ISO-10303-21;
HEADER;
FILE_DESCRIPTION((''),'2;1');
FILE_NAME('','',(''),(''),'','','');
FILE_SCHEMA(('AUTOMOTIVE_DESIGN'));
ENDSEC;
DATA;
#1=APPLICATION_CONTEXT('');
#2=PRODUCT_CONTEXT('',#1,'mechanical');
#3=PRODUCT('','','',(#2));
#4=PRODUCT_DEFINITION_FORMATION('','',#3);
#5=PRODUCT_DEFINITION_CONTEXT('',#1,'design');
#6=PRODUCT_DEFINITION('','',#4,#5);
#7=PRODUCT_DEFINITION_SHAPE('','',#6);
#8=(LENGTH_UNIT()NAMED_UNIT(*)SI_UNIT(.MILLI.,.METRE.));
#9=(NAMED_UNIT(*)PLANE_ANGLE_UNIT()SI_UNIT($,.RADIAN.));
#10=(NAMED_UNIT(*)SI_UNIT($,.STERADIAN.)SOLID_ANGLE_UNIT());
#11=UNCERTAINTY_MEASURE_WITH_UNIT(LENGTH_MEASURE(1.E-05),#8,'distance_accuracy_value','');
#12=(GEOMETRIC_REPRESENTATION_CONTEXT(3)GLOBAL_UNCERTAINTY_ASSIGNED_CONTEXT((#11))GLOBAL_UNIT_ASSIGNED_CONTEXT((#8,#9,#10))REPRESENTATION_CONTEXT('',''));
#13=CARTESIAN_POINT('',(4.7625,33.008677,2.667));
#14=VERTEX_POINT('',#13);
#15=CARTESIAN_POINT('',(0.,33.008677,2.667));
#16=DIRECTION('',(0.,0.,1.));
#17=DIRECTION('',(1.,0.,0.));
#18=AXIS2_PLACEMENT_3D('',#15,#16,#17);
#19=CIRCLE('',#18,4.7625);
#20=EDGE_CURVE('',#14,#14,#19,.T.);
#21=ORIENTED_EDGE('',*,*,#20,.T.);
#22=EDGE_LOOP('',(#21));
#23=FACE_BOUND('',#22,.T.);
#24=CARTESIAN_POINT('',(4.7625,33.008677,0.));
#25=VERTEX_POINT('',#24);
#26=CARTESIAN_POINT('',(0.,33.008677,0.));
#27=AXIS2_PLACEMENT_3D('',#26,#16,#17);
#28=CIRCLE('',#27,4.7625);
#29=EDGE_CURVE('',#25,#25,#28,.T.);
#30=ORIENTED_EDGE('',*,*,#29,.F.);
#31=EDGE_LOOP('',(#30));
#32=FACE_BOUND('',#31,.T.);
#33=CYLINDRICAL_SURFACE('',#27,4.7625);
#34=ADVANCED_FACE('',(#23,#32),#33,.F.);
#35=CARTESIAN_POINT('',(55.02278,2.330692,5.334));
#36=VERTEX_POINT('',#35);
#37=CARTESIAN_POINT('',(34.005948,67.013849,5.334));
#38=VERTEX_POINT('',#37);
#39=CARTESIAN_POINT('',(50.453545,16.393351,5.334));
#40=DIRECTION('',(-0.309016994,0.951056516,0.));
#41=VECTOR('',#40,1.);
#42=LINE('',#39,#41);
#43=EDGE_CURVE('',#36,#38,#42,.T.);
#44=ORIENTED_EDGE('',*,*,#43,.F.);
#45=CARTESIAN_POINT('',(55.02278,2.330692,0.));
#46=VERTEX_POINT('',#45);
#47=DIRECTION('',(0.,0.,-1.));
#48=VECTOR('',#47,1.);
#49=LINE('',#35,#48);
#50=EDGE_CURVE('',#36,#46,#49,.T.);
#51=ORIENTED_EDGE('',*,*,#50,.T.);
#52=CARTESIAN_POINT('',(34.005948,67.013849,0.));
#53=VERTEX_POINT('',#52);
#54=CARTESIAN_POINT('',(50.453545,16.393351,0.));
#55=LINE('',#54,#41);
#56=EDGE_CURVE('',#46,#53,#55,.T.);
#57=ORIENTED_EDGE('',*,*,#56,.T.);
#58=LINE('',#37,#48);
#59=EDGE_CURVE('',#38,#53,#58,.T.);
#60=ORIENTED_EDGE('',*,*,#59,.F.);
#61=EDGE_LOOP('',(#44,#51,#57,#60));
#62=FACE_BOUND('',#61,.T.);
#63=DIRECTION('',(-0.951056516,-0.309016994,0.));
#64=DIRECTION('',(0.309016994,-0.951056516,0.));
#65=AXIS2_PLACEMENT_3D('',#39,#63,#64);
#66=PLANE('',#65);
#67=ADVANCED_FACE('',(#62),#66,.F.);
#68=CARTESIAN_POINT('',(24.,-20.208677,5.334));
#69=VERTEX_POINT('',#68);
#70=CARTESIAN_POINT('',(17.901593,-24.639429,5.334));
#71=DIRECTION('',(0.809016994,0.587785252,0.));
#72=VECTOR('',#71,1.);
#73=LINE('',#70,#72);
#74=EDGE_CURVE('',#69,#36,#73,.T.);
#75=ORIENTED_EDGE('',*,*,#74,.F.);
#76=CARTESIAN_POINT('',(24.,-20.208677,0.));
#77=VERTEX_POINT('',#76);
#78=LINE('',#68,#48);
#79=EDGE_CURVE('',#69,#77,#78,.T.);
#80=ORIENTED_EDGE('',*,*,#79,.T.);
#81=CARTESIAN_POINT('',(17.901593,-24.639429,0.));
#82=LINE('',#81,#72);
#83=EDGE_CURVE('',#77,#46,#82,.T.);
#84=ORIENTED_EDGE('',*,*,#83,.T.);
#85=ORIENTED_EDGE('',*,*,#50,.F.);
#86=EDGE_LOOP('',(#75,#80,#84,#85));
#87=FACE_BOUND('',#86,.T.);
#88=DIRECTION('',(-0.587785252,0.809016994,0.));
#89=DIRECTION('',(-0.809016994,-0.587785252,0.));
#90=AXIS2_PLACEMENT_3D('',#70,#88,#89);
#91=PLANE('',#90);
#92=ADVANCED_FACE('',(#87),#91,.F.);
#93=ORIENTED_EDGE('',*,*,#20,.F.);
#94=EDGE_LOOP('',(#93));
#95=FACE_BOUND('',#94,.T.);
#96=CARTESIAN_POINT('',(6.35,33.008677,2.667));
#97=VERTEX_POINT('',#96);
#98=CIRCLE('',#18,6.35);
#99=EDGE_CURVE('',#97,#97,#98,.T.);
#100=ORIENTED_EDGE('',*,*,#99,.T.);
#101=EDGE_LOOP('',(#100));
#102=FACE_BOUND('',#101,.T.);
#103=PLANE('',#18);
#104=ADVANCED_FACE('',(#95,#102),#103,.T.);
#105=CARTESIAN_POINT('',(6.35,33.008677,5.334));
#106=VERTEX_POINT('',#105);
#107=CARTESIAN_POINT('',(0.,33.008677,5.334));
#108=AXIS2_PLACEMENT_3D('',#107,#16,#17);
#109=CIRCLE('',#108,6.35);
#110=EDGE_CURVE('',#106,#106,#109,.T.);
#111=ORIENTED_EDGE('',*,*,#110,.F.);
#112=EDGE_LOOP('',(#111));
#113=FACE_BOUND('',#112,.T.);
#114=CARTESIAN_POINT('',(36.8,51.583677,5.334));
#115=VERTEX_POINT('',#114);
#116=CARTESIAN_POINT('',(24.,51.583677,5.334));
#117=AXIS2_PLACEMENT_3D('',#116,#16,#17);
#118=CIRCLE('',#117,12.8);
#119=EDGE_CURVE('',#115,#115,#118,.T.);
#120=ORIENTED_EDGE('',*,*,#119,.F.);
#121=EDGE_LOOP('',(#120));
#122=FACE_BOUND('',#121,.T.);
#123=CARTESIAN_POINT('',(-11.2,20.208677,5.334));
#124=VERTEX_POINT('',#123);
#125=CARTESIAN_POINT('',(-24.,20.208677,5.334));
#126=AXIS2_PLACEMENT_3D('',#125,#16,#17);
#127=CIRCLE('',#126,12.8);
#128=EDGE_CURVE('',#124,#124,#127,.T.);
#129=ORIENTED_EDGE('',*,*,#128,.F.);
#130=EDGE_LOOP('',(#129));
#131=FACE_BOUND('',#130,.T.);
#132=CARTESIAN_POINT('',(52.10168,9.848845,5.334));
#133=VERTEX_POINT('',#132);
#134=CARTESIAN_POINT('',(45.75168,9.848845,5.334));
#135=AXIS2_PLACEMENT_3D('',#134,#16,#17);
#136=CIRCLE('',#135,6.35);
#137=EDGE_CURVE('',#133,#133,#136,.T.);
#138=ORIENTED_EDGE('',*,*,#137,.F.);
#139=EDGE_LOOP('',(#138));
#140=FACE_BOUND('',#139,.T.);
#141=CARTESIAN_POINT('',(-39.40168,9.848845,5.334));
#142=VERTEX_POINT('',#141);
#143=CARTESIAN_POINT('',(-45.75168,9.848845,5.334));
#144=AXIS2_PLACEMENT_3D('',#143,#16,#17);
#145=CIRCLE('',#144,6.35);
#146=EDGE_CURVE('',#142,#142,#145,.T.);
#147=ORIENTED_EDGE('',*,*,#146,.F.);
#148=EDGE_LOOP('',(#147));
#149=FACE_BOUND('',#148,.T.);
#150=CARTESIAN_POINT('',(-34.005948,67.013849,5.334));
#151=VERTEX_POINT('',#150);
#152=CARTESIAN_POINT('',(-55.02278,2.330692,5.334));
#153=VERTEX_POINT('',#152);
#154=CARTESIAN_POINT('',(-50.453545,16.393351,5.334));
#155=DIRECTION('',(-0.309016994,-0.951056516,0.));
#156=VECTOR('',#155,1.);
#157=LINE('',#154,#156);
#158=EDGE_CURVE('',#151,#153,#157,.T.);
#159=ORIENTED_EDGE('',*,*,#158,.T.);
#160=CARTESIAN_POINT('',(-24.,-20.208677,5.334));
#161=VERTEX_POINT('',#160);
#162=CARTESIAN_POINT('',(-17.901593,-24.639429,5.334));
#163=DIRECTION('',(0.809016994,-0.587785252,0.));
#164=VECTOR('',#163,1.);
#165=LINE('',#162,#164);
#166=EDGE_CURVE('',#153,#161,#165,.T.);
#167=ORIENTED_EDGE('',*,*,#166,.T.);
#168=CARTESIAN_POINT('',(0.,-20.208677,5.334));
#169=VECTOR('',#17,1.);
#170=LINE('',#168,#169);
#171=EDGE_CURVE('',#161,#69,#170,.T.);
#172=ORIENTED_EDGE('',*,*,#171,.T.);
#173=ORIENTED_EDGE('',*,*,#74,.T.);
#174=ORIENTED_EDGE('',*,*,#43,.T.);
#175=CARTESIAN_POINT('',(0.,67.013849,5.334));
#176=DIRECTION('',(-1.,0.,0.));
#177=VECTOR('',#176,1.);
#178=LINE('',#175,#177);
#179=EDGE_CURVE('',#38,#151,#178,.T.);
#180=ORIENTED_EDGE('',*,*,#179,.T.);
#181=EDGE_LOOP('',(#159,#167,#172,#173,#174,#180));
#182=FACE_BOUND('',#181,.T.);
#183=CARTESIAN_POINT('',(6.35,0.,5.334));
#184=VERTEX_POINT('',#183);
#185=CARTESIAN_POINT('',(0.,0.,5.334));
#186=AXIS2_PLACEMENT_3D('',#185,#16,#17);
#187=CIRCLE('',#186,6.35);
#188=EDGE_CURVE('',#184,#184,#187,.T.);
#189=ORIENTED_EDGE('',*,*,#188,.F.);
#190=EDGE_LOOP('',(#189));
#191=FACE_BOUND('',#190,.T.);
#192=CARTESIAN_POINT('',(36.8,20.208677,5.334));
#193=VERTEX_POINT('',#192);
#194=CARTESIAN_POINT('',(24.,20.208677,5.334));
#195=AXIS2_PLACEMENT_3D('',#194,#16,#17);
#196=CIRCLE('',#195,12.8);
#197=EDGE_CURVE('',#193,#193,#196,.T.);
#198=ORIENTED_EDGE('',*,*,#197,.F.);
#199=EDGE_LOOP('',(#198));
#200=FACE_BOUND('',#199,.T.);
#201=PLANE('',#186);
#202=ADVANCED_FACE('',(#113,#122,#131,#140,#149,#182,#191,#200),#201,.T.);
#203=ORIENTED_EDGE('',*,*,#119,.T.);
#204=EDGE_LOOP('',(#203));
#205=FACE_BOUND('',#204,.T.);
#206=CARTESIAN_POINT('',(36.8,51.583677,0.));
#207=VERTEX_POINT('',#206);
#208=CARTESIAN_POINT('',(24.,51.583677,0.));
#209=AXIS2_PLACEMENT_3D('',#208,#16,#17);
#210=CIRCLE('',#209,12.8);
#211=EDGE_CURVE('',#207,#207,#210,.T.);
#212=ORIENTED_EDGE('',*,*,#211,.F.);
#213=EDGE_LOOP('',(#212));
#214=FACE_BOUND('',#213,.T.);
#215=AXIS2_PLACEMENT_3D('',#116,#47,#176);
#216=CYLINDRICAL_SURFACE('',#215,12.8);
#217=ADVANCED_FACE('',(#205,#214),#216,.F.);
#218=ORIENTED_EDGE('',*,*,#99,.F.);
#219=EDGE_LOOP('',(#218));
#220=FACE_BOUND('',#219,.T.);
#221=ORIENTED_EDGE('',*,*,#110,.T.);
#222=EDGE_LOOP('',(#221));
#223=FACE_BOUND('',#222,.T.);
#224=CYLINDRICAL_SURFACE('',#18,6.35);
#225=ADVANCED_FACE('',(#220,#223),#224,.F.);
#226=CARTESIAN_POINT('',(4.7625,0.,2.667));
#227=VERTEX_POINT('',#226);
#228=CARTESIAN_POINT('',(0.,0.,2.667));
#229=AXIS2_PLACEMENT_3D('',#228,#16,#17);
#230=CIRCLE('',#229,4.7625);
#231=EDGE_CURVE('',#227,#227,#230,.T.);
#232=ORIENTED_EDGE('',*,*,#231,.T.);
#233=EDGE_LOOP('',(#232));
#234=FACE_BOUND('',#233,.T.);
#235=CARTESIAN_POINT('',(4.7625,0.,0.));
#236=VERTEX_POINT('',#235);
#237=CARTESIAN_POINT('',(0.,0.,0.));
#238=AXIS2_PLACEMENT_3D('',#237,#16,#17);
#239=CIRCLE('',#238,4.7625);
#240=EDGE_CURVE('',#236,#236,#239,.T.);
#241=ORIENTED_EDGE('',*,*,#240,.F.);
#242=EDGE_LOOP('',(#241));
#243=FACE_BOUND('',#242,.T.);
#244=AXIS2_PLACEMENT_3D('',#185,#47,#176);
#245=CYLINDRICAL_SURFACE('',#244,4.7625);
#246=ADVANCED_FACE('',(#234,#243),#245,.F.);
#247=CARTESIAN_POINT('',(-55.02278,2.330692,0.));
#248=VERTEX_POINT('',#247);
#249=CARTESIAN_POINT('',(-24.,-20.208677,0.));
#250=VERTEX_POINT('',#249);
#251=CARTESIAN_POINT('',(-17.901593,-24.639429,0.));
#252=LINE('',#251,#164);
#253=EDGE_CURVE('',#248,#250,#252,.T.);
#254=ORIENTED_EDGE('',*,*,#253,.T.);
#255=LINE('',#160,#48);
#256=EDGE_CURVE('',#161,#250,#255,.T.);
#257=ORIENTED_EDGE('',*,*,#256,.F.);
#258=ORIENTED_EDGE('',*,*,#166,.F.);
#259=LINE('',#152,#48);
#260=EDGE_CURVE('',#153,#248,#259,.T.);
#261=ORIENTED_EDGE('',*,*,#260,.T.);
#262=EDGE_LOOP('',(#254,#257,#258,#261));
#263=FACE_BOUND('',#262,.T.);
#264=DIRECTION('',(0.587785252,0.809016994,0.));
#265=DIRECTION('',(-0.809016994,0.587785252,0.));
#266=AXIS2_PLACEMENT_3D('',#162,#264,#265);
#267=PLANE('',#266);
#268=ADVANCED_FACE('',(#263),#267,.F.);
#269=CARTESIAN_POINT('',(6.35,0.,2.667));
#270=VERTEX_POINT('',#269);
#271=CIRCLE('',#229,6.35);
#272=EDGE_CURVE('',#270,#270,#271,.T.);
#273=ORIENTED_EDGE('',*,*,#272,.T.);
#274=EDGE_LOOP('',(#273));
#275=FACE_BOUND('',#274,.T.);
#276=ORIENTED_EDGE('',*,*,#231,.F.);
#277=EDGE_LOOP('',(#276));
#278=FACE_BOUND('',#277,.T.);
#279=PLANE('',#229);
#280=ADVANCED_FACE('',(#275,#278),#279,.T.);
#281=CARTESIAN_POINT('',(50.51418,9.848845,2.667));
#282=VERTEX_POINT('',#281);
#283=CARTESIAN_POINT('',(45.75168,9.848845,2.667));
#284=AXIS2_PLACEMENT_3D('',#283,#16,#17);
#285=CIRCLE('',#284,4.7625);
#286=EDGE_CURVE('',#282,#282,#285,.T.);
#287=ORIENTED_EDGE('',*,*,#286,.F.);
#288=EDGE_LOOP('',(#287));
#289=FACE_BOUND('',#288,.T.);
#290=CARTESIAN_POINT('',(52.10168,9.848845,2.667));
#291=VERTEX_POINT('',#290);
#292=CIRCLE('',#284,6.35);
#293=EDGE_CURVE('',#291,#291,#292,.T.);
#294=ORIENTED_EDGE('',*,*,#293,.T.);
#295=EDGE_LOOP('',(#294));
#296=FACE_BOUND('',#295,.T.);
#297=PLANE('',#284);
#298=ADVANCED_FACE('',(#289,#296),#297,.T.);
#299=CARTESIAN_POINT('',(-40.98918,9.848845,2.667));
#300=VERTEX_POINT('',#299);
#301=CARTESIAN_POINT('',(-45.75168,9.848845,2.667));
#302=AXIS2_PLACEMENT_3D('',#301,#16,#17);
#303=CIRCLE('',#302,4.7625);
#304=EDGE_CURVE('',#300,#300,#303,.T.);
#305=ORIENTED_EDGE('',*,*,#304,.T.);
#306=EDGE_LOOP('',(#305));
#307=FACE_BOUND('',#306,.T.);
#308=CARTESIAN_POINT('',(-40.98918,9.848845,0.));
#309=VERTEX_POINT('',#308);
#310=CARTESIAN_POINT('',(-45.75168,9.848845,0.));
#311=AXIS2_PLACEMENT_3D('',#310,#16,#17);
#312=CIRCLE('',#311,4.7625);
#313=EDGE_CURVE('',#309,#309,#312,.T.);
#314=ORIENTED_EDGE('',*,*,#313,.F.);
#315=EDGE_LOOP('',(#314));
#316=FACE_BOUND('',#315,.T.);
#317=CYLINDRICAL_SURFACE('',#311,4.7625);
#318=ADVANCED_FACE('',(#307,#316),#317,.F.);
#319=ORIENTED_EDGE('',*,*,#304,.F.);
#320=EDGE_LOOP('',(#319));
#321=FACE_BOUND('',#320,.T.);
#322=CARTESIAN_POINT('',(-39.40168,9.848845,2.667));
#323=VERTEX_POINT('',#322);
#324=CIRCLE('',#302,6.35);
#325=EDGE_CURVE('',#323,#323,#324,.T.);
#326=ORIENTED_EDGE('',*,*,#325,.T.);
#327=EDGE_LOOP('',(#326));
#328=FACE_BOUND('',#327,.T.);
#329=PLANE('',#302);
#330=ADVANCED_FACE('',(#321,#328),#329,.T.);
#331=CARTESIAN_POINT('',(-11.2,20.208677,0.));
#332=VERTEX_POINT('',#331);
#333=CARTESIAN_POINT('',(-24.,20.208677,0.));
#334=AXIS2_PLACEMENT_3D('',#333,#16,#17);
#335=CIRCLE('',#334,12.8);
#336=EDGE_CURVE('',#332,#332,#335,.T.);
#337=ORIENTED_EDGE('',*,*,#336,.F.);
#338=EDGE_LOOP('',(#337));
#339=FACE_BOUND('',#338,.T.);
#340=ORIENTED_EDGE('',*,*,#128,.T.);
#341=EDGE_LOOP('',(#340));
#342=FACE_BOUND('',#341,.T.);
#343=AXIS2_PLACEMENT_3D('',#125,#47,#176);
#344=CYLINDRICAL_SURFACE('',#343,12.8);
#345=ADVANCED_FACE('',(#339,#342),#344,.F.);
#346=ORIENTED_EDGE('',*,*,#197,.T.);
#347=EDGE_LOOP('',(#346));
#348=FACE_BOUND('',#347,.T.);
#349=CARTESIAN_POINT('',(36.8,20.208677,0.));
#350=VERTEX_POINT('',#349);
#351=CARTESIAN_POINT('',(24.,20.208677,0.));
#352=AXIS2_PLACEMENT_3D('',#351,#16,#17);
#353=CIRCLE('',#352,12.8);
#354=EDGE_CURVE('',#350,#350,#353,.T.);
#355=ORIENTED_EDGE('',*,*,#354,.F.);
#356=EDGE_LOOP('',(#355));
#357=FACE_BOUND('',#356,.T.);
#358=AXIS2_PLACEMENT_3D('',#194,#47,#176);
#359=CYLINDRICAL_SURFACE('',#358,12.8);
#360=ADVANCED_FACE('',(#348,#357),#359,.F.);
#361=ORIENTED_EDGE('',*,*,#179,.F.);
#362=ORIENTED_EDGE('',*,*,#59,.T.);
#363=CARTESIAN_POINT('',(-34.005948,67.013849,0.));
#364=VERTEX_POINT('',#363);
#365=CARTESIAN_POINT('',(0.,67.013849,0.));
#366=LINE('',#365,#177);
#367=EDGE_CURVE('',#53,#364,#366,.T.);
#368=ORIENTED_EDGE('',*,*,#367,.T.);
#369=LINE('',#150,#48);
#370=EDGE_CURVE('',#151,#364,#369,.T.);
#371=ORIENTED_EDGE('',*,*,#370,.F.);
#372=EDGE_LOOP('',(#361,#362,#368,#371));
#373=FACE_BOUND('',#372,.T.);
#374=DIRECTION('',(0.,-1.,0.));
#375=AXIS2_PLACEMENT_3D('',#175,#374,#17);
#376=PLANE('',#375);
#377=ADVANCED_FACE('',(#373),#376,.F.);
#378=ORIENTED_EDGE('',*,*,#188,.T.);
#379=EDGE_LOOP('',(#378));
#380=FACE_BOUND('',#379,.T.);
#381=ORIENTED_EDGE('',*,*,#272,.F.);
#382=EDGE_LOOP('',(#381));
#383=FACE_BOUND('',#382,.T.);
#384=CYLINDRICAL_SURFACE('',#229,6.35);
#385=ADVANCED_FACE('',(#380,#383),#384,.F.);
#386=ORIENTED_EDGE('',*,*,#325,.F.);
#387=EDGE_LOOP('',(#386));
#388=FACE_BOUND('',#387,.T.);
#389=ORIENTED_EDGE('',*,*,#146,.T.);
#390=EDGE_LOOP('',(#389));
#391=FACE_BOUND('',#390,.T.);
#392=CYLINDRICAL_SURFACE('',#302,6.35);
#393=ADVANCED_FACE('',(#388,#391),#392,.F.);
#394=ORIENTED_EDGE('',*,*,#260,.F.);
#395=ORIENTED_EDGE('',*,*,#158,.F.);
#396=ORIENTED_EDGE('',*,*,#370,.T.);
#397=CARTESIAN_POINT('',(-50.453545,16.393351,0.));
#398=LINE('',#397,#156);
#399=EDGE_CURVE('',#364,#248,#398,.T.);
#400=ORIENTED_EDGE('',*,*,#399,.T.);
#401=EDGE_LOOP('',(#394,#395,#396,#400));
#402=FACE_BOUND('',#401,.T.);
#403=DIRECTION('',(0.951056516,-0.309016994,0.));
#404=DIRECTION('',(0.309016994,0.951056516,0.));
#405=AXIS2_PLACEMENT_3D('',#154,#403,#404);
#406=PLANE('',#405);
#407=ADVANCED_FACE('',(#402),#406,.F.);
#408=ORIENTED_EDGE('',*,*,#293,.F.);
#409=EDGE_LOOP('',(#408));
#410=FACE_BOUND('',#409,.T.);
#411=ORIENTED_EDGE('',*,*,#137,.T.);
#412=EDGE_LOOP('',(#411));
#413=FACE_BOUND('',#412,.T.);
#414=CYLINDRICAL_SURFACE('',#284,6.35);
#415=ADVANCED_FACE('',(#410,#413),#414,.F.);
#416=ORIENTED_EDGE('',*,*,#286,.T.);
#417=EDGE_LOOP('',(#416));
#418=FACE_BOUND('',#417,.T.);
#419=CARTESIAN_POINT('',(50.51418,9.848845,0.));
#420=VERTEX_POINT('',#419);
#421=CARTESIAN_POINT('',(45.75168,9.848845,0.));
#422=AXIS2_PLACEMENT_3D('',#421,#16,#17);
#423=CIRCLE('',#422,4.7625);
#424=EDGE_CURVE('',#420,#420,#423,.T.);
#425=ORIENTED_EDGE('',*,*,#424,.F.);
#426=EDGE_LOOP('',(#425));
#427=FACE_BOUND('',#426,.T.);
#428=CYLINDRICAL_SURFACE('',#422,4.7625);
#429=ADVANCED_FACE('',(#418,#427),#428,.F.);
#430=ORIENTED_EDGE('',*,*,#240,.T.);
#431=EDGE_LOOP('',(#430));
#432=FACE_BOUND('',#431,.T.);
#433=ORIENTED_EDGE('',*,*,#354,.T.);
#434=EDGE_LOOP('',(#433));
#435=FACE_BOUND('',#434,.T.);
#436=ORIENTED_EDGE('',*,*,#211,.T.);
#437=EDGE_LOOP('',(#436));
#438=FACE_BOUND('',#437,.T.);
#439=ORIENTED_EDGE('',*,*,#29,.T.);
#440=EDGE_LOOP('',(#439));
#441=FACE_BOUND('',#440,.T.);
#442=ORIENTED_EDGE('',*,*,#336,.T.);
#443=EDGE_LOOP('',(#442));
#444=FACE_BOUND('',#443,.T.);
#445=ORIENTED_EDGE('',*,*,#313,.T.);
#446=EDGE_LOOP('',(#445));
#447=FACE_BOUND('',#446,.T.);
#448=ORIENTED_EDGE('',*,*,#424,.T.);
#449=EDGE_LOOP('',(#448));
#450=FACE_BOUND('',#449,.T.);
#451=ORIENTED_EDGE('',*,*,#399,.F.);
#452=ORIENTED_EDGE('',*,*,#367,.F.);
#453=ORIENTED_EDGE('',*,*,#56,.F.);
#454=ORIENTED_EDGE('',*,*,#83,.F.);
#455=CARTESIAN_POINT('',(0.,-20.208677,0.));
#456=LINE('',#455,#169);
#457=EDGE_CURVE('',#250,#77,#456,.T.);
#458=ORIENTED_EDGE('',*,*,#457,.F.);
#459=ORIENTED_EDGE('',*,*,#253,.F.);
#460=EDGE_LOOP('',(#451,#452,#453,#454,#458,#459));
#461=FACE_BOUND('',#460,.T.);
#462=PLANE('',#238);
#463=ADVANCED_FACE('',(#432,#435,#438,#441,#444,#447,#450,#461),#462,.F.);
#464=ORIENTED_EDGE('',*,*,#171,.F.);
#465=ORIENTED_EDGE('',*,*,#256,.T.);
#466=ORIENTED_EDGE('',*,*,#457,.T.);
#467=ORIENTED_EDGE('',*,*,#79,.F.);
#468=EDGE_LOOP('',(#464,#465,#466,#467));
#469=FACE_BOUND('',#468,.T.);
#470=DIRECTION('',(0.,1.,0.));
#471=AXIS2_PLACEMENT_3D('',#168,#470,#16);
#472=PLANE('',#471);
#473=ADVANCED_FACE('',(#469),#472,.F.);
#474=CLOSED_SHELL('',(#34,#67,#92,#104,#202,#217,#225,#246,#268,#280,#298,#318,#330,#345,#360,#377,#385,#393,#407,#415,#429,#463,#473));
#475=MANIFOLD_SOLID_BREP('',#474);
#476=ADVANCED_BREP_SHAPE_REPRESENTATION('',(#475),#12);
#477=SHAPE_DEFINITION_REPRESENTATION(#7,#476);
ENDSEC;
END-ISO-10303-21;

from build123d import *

# Parameters (mm, degrees)
SKETCH2_R           = 4.7625
SKETCH2_R_2         = 12.8
BOSS_EXTRUDE2_DEPTH = 5.334
CUT_EXTRUDE3_START  = -2.667
SKETCH3_R           = 6.35
SKETCH3_R_2         = 4.7625
CUT_EXTRUDE3_DEPTH  = 2.667
SKETCH3_2_R         = 4.7625
CUT_EXTRUDE4_DEPTH  = 87.872399887


with BuildPart() as part:
    # Sketch2 → Boss-Extrude2 (new body)
    with BuildSketch(Plane.XY):
        Polygon((-55.022779977, 2.330692017), (-24, -20.208676973), (24, -20.208676973), (55.022779977, 2.330692017), (34.005948181, 67.013849238), (-34.005948181, 67.013849238), align=None)
        Circle(SKETCH2_R, mode=Mode.SUBTRACT)
        with Locations((-24, 20.208676973)):
            Circle(SKETCH2_R_2, mode=Mode.SUBTRACT)
        with Locations((24, 20.208676973)):
            Circle(SKETCH2_R_2, mode=Mode.SUBTRACT)
        with Locations((24, 51.583676973)):
            Circle(SKETCH2_R_2, mode=Mode.SUBTRACT)
    extrude(amount=BOSS_EXTRUDE2_DEPTH)

    # Sketch3 → Cut-Extrude3 (cut)
    # profile 1 of 4: a face of its own
    with BuildSketch(Plane.XY.offset(5.334).offset(CUT_EXTRUDE3_START)):
        Circle(SKETCH3_R)
        Circle(SKETCH3_R_2, mode=Mode.SUBTRACT)
    # profile 2 of 4: a face of its own
    with BuildSketch(Plane.XY.offset(5.334).offset(CUT_EXTRUDE3_START)):
        with Locations((45.751679669, 9.848845061)):
            Circle(SKETCH3_R)
        with Locations((45.751679669, 9.848845061)):
            Circle(SKETCH3_R_2, mode=Mode.SUBTRACT)
    # profile 3 of 4: a face of its own
    with BuildSketch(Plane.XY.offset(5.334).offset(CUT_EXTRUDE3_START)):
        with Locations((0, 33.008676973)):
            Circle(SKETCH3_R)
        with Locations((0, 33.008676973)):
            Circle(SKETCH3_R_2, mode=Mode.SUBTRACT)
    # profile 4 of 4: a face of its own
    with BuildSketch(Plane.XY.offset(5.334).offset(CUT_EXTRUDE3_START)):
        with Locations((-45.751679669, 9.848845061)):
            Circle(SKETCH3_R)
        with Locations((-45.751679669, 9.848845061)):
            Circle(SKETCH3_R_2, mode=Mode.SUBTRACT)
    extrude(amount=CUT_EXTRUDE3_DEPTH, mode=Mode.SUBTRACT)

    # Sketch3<2> → Cut-Extrude4 (cut, through all)
    with BuildSketch(Plane.XY.offset(5.334)):
        with Locations((45.751679669, 9.848845061)):
            Circle(SKETCH3_2_R)
        with Locations((0, 33.008676973)):
            Circle(SKETCH3_2_R)
        with Locations((-45.751679669, 9.848845061)):
            Circle(SKETCH3_2_R)
    extrude(amount=-CUT_EXTRUDE4_DEPTH, mode=Mode.SUBTRACT)


solid = part.part
